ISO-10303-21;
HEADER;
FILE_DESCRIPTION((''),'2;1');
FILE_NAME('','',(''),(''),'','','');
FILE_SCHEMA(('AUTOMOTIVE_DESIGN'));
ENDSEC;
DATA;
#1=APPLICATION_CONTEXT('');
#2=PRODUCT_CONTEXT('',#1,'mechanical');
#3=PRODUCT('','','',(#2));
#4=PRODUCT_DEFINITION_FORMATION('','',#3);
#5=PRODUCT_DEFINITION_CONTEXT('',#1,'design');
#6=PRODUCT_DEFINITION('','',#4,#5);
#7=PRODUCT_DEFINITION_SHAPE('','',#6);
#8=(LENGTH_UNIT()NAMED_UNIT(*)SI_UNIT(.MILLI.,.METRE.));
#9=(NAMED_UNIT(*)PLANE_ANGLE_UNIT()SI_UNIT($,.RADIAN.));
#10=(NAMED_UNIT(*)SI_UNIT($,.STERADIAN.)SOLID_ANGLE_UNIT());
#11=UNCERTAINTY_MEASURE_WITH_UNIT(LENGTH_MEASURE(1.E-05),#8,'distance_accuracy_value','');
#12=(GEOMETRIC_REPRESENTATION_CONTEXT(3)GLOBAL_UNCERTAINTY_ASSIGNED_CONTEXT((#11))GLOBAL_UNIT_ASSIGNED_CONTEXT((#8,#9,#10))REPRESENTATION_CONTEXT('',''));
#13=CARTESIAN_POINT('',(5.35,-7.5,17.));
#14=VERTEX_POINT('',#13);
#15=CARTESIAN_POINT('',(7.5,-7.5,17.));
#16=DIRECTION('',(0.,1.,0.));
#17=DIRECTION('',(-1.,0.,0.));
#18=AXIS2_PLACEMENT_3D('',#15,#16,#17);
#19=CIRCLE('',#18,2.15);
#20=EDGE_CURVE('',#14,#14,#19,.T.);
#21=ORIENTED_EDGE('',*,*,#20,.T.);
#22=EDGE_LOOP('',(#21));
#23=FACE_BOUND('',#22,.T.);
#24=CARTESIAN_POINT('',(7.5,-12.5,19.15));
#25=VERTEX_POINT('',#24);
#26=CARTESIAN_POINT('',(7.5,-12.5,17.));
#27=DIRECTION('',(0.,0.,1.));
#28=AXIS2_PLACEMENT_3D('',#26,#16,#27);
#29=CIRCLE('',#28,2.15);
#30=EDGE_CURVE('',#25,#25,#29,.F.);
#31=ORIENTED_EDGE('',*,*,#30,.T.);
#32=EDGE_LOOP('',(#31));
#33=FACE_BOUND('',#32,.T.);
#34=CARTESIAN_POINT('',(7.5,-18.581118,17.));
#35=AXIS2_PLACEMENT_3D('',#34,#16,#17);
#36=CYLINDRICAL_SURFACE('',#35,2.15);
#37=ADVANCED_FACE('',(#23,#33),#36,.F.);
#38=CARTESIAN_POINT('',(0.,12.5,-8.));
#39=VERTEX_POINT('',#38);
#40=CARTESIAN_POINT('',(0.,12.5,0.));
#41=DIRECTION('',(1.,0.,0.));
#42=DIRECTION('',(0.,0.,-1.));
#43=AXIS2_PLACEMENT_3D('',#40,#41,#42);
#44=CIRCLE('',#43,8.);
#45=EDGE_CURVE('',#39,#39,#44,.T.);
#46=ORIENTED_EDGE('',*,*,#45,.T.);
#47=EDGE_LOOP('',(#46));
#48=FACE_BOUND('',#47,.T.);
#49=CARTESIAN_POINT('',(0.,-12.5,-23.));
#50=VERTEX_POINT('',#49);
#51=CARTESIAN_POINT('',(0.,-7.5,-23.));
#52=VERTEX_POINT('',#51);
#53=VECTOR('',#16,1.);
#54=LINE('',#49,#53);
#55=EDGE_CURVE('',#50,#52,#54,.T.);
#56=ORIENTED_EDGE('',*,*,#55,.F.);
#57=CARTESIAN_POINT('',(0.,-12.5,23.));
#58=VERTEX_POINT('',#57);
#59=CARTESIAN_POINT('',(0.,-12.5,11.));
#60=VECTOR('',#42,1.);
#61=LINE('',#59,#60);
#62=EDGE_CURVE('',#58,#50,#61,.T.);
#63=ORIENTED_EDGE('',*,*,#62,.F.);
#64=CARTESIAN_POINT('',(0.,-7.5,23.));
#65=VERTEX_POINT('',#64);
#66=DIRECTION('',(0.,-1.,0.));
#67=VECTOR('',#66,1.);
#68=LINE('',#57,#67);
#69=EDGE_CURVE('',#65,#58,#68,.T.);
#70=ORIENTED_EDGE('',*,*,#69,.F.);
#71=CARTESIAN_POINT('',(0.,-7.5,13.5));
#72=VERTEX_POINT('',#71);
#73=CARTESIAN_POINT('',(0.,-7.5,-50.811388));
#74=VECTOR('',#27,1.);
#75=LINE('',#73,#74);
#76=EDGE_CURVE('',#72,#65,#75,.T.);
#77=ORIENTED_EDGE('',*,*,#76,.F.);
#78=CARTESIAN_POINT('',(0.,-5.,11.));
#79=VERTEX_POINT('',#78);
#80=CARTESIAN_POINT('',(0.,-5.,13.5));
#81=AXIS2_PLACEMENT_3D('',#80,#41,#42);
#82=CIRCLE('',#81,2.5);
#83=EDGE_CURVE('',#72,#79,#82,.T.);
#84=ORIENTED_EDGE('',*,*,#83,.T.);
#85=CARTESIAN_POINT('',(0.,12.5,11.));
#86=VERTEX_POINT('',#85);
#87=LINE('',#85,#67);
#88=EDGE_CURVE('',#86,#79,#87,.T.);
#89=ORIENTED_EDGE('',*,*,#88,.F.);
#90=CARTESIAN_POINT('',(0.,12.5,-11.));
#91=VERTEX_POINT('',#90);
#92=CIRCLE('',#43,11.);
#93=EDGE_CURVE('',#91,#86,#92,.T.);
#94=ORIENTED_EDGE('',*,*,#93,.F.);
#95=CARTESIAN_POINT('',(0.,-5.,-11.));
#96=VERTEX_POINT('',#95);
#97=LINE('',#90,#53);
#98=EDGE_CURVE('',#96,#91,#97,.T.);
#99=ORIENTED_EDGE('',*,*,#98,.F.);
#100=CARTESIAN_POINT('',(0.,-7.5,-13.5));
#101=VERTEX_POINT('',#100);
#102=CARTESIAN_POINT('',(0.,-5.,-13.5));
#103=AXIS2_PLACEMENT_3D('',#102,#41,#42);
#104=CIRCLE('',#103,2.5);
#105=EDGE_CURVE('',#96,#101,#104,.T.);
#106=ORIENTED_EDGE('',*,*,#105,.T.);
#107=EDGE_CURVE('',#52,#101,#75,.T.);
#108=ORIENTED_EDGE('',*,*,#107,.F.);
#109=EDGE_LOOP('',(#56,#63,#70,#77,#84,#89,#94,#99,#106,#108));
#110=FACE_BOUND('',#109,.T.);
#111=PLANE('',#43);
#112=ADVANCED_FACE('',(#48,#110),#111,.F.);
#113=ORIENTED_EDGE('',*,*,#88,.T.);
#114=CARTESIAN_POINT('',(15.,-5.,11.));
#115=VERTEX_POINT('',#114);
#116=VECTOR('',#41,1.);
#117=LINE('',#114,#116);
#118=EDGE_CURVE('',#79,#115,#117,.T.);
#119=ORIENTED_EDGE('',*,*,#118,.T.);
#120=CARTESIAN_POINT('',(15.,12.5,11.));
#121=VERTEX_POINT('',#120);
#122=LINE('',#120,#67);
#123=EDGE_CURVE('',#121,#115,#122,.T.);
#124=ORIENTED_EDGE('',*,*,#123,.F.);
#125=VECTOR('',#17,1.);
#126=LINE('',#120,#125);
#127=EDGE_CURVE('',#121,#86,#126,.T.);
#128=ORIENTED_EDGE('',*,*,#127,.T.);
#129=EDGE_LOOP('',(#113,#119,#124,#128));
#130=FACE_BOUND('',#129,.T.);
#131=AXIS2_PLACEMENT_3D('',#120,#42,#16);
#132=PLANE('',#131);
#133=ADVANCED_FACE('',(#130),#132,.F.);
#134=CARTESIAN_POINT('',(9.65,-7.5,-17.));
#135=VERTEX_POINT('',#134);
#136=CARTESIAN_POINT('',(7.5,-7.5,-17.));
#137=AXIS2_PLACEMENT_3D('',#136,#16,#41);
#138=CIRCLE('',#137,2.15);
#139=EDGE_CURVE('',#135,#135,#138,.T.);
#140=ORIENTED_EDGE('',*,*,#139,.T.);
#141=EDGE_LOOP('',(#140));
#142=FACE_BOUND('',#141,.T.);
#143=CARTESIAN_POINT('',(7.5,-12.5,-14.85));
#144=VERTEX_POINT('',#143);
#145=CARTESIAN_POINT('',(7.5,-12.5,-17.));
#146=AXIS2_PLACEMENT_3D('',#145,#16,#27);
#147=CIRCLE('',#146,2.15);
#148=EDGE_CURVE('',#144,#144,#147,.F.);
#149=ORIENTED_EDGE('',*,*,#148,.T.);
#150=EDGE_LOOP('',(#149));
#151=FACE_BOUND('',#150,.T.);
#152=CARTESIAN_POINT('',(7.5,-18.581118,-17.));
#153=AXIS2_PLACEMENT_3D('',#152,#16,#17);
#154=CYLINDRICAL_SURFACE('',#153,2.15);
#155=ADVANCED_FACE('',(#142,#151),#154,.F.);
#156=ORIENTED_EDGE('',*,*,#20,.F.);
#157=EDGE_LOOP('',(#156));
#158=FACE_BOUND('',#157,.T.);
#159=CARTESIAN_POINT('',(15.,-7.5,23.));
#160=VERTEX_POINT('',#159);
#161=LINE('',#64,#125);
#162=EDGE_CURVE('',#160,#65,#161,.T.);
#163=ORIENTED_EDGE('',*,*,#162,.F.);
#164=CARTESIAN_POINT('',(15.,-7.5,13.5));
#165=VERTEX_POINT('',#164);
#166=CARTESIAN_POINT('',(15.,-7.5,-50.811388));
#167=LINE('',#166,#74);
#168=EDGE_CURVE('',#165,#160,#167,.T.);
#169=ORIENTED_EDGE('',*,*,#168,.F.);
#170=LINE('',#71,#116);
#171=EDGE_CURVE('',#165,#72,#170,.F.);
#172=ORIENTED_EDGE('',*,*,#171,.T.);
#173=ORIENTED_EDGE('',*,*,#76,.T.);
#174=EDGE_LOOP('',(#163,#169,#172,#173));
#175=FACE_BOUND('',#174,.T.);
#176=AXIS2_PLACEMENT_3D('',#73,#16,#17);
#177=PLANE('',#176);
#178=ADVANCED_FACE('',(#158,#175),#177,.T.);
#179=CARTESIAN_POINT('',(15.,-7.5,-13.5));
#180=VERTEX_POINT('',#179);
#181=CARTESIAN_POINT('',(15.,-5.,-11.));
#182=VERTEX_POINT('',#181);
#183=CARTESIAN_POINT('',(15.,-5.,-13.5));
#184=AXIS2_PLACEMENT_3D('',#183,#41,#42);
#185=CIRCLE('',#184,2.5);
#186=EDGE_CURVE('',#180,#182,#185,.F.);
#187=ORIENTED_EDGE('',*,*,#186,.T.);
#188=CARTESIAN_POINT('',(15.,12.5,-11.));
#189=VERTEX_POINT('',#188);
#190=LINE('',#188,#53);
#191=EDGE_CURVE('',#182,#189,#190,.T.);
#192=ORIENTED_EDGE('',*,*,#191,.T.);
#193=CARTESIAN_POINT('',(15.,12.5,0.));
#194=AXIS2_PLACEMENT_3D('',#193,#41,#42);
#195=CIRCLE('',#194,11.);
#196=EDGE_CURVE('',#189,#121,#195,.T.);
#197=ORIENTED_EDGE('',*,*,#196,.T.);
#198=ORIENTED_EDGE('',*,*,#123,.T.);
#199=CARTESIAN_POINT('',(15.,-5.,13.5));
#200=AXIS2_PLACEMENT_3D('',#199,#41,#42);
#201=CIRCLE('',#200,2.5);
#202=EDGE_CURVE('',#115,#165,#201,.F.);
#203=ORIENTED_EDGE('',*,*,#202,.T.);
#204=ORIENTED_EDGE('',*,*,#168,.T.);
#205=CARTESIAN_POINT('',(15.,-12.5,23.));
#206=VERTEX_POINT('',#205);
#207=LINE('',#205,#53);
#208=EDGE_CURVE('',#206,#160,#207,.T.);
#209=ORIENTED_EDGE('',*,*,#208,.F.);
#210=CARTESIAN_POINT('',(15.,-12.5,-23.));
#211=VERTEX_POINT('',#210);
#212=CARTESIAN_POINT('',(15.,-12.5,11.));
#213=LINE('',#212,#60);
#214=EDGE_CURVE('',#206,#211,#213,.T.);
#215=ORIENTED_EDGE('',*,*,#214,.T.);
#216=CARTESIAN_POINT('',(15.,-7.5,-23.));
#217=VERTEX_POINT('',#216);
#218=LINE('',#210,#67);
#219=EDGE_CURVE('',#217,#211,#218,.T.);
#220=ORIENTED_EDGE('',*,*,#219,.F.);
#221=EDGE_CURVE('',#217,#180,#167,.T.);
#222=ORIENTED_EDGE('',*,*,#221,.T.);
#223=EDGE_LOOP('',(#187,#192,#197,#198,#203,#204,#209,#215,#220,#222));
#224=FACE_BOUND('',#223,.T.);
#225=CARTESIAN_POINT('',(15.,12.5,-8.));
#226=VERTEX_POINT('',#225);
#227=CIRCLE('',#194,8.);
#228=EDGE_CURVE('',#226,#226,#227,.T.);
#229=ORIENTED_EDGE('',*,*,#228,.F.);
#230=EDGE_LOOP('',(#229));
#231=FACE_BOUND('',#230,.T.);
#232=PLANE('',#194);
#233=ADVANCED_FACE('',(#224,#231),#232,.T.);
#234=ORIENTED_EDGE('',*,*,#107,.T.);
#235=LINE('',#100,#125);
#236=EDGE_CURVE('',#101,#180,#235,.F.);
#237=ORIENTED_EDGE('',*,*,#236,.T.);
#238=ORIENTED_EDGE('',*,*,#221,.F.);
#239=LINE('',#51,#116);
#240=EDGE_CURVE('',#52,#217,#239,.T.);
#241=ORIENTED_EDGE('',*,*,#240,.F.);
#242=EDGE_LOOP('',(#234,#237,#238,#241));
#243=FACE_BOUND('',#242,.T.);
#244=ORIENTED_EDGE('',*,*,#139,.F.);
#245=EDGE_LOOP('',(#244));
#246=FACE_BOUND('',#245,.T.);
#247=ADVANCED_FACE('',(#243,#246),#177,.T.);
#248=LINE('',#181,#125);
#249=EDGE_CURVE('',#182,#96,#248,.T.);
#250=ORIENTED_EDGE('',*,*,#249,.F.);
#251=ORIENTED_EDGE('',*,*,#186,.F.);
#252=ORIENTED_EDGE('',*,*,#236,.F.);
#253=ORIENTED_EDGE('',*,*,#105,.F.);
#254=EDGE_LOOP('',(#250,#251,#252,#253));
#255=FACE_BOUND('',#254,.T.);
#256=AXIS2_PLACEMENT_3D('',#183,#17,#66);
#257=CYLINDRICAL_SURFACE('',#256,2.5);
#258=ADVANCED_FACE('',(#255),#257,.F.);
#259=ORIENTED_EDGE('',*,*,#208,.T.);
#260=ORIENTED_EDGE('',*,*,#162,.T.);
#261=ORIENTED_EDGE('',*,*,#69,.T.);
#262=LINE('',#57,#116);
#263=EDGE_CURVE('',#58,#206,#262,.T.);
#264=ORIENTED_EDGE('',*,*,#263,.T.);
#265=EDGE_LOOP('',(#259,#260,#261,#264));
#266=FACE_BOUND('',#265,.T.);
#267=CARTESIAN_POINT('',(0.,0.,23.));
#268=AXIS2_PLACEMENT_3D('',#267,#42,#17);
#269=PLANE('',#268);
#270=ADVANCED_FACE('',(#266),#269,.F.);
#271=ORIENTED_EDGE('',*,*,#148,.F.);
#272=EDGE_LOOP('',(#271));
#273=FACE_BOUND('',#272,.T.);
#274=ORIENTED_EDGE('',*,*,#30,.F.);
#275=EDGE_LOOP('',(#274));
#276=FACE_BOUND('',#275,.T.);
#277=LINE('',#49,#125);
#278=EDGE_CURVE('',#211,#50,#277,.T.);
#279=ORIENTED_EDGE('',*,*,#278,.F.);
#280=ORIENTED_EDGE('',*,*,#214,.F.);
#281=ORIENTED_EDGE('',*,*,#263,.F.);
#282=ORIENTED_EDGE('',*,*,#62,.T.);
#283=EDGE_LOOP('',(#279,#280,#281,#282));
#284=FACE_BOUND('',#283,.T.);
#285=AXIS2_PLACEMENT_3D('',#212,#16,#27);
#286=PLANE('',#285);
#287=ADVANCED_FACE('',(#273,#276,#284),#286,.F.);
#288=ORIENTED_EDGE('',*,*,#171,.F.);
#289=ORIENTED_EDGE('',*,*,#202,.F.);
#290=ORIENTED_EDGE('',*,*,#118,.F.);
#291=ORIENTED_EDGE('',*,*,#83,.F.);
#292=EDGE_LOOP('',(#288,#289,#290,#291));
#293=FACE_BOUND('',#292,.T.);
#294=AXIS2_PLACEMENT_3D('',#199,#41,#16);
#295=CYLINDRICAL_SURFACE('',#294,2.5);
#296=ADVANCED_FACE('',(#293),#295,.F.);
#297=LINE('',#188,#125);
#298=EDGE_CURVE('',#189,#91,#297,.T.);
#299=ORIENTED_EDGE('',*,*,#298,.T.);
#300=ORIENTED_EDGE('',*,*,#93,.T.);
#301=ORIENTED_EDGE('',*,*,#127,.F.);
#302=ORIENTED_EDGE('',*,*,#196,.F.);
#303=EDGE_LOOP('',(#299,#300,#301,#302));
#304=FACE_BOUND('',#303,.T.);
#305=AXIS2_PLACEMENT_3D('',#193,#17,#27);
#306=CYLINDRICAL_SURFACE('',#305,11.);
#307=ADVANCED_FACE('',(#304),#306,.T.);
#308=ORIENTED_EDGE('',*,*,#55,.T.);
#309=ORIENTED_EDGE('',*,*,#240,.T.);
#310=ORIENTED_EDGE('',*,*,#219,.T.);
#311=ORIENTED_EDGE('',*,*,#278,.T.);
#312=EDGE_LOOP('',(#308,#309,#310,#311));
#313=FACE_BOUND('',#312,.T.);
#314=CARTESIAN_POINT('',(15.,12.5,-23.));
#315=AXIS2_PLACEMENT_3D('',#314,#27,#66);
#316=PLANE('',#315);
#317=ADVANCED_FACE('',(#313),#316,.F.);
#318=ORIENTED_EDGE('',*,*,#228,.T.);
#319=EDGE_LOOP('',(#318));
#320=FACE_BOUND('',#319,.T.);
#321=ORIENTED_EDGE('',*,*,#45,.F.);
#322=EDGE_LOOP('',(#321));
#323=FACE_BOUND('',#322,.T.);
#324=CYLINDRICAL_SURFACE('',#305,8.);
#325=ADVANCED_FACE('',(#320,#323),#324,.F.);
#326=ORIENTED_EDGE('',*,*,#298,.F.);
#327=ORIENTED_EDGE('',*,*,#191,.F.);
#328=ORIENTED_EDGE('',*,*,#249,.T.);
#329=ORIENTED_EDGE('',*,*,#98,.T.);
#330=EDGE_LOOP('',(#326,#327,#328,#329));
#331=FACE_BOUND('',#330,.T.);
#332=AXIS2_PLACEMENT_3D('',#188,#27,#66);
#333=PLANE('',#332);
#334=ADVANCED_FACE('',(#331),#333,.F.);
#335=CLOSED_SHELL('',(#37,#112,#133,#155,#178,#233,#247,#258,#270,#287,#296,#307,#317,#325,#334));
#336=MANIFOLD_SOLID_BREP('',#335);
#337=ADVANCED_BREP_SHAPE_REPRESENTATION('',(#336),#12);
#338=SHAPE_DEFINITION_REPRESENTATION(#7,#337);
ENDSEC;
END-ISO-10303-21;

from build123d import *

# Parameters (mm, degrees)
SKETCH1_R                = 8
BOSS_EXTRUDE1_DEPTH      = 15
SKETCH2_W                = 15
SKETCH2_H                = 5
BOSS_EXTRUDE2_DEPTH      = 12
BOSS_EXTRUDE2_DEPTH_BACK = 34
SKETCH3_R                = 2.15
CUT_EXTRUDE1_DEPTH       = 5
FILLET1_R                = 2.5


with BuildPart() as part:
    # Sketch1 → Boss-Extrude1 (new body)
    with BuildSketch(Plane(origin=(0, 0, 0), x_dir=(0, 0, -1), z_dir=(1, 0, 0))):
        with BuildLine():
            Line((-11, 12.5), (-11, -12.5))
            Line((-11, -12.5), (11, -12.5))
            Line((11, -12.5), (11, 12.5))
            ThreePointArc((11, 12.5), (0, 23.5), (-11, 12.5))
        make_face()
        with Locations((0, 12.5)):
            Circle(SKETCH1_R, mode=Mode.SUBTRACT)
    extrude(amount=BOSS_EXTRUDE1_DEPTH)

    # Sketch2 → Boss-Extrude2 (add, two sides)
    with BuildSketch(Plane.XY.offset(11)) as boss_extrude2_sk:
        with Locations((7.5, -10)):
            Rectangle(SKETCH2_W, SKETCH2_H)
    extrude(amount=BOSS_EXTRUDE2_DEPTH)
    extrude(boss_extrude2_sk.sketch, amount=-BOSS_EXTRUDE2_DEPTH_BACK)

    # Sketch3 → Cut-Extrude1 (cut)
    with BuildSketch(Plane(origin=(0, -7.5, 0), x_dir=(1, 0, 0), z_dir=(0, 1, 0))):
        with Locations((7.5, -17)):
            Circle(SKETCH3_R)
        with Locations((7.5, 17)):
            Circle(SKETCH3_R)
    extrude(amount=-CUT_EXTRUDE1_DEPTH, mode=Mode.SUBTRACT)

    # Fillet1
    fillet1_edges = [part.edges().sort_by_distance(p)[0] for p in [
        (7.5, -7.5, 11),
        (7.5, -7.5, -11),
    ]]
    fillet(fillet1_edges, radius=FILLET1_R)


solid = part.part
